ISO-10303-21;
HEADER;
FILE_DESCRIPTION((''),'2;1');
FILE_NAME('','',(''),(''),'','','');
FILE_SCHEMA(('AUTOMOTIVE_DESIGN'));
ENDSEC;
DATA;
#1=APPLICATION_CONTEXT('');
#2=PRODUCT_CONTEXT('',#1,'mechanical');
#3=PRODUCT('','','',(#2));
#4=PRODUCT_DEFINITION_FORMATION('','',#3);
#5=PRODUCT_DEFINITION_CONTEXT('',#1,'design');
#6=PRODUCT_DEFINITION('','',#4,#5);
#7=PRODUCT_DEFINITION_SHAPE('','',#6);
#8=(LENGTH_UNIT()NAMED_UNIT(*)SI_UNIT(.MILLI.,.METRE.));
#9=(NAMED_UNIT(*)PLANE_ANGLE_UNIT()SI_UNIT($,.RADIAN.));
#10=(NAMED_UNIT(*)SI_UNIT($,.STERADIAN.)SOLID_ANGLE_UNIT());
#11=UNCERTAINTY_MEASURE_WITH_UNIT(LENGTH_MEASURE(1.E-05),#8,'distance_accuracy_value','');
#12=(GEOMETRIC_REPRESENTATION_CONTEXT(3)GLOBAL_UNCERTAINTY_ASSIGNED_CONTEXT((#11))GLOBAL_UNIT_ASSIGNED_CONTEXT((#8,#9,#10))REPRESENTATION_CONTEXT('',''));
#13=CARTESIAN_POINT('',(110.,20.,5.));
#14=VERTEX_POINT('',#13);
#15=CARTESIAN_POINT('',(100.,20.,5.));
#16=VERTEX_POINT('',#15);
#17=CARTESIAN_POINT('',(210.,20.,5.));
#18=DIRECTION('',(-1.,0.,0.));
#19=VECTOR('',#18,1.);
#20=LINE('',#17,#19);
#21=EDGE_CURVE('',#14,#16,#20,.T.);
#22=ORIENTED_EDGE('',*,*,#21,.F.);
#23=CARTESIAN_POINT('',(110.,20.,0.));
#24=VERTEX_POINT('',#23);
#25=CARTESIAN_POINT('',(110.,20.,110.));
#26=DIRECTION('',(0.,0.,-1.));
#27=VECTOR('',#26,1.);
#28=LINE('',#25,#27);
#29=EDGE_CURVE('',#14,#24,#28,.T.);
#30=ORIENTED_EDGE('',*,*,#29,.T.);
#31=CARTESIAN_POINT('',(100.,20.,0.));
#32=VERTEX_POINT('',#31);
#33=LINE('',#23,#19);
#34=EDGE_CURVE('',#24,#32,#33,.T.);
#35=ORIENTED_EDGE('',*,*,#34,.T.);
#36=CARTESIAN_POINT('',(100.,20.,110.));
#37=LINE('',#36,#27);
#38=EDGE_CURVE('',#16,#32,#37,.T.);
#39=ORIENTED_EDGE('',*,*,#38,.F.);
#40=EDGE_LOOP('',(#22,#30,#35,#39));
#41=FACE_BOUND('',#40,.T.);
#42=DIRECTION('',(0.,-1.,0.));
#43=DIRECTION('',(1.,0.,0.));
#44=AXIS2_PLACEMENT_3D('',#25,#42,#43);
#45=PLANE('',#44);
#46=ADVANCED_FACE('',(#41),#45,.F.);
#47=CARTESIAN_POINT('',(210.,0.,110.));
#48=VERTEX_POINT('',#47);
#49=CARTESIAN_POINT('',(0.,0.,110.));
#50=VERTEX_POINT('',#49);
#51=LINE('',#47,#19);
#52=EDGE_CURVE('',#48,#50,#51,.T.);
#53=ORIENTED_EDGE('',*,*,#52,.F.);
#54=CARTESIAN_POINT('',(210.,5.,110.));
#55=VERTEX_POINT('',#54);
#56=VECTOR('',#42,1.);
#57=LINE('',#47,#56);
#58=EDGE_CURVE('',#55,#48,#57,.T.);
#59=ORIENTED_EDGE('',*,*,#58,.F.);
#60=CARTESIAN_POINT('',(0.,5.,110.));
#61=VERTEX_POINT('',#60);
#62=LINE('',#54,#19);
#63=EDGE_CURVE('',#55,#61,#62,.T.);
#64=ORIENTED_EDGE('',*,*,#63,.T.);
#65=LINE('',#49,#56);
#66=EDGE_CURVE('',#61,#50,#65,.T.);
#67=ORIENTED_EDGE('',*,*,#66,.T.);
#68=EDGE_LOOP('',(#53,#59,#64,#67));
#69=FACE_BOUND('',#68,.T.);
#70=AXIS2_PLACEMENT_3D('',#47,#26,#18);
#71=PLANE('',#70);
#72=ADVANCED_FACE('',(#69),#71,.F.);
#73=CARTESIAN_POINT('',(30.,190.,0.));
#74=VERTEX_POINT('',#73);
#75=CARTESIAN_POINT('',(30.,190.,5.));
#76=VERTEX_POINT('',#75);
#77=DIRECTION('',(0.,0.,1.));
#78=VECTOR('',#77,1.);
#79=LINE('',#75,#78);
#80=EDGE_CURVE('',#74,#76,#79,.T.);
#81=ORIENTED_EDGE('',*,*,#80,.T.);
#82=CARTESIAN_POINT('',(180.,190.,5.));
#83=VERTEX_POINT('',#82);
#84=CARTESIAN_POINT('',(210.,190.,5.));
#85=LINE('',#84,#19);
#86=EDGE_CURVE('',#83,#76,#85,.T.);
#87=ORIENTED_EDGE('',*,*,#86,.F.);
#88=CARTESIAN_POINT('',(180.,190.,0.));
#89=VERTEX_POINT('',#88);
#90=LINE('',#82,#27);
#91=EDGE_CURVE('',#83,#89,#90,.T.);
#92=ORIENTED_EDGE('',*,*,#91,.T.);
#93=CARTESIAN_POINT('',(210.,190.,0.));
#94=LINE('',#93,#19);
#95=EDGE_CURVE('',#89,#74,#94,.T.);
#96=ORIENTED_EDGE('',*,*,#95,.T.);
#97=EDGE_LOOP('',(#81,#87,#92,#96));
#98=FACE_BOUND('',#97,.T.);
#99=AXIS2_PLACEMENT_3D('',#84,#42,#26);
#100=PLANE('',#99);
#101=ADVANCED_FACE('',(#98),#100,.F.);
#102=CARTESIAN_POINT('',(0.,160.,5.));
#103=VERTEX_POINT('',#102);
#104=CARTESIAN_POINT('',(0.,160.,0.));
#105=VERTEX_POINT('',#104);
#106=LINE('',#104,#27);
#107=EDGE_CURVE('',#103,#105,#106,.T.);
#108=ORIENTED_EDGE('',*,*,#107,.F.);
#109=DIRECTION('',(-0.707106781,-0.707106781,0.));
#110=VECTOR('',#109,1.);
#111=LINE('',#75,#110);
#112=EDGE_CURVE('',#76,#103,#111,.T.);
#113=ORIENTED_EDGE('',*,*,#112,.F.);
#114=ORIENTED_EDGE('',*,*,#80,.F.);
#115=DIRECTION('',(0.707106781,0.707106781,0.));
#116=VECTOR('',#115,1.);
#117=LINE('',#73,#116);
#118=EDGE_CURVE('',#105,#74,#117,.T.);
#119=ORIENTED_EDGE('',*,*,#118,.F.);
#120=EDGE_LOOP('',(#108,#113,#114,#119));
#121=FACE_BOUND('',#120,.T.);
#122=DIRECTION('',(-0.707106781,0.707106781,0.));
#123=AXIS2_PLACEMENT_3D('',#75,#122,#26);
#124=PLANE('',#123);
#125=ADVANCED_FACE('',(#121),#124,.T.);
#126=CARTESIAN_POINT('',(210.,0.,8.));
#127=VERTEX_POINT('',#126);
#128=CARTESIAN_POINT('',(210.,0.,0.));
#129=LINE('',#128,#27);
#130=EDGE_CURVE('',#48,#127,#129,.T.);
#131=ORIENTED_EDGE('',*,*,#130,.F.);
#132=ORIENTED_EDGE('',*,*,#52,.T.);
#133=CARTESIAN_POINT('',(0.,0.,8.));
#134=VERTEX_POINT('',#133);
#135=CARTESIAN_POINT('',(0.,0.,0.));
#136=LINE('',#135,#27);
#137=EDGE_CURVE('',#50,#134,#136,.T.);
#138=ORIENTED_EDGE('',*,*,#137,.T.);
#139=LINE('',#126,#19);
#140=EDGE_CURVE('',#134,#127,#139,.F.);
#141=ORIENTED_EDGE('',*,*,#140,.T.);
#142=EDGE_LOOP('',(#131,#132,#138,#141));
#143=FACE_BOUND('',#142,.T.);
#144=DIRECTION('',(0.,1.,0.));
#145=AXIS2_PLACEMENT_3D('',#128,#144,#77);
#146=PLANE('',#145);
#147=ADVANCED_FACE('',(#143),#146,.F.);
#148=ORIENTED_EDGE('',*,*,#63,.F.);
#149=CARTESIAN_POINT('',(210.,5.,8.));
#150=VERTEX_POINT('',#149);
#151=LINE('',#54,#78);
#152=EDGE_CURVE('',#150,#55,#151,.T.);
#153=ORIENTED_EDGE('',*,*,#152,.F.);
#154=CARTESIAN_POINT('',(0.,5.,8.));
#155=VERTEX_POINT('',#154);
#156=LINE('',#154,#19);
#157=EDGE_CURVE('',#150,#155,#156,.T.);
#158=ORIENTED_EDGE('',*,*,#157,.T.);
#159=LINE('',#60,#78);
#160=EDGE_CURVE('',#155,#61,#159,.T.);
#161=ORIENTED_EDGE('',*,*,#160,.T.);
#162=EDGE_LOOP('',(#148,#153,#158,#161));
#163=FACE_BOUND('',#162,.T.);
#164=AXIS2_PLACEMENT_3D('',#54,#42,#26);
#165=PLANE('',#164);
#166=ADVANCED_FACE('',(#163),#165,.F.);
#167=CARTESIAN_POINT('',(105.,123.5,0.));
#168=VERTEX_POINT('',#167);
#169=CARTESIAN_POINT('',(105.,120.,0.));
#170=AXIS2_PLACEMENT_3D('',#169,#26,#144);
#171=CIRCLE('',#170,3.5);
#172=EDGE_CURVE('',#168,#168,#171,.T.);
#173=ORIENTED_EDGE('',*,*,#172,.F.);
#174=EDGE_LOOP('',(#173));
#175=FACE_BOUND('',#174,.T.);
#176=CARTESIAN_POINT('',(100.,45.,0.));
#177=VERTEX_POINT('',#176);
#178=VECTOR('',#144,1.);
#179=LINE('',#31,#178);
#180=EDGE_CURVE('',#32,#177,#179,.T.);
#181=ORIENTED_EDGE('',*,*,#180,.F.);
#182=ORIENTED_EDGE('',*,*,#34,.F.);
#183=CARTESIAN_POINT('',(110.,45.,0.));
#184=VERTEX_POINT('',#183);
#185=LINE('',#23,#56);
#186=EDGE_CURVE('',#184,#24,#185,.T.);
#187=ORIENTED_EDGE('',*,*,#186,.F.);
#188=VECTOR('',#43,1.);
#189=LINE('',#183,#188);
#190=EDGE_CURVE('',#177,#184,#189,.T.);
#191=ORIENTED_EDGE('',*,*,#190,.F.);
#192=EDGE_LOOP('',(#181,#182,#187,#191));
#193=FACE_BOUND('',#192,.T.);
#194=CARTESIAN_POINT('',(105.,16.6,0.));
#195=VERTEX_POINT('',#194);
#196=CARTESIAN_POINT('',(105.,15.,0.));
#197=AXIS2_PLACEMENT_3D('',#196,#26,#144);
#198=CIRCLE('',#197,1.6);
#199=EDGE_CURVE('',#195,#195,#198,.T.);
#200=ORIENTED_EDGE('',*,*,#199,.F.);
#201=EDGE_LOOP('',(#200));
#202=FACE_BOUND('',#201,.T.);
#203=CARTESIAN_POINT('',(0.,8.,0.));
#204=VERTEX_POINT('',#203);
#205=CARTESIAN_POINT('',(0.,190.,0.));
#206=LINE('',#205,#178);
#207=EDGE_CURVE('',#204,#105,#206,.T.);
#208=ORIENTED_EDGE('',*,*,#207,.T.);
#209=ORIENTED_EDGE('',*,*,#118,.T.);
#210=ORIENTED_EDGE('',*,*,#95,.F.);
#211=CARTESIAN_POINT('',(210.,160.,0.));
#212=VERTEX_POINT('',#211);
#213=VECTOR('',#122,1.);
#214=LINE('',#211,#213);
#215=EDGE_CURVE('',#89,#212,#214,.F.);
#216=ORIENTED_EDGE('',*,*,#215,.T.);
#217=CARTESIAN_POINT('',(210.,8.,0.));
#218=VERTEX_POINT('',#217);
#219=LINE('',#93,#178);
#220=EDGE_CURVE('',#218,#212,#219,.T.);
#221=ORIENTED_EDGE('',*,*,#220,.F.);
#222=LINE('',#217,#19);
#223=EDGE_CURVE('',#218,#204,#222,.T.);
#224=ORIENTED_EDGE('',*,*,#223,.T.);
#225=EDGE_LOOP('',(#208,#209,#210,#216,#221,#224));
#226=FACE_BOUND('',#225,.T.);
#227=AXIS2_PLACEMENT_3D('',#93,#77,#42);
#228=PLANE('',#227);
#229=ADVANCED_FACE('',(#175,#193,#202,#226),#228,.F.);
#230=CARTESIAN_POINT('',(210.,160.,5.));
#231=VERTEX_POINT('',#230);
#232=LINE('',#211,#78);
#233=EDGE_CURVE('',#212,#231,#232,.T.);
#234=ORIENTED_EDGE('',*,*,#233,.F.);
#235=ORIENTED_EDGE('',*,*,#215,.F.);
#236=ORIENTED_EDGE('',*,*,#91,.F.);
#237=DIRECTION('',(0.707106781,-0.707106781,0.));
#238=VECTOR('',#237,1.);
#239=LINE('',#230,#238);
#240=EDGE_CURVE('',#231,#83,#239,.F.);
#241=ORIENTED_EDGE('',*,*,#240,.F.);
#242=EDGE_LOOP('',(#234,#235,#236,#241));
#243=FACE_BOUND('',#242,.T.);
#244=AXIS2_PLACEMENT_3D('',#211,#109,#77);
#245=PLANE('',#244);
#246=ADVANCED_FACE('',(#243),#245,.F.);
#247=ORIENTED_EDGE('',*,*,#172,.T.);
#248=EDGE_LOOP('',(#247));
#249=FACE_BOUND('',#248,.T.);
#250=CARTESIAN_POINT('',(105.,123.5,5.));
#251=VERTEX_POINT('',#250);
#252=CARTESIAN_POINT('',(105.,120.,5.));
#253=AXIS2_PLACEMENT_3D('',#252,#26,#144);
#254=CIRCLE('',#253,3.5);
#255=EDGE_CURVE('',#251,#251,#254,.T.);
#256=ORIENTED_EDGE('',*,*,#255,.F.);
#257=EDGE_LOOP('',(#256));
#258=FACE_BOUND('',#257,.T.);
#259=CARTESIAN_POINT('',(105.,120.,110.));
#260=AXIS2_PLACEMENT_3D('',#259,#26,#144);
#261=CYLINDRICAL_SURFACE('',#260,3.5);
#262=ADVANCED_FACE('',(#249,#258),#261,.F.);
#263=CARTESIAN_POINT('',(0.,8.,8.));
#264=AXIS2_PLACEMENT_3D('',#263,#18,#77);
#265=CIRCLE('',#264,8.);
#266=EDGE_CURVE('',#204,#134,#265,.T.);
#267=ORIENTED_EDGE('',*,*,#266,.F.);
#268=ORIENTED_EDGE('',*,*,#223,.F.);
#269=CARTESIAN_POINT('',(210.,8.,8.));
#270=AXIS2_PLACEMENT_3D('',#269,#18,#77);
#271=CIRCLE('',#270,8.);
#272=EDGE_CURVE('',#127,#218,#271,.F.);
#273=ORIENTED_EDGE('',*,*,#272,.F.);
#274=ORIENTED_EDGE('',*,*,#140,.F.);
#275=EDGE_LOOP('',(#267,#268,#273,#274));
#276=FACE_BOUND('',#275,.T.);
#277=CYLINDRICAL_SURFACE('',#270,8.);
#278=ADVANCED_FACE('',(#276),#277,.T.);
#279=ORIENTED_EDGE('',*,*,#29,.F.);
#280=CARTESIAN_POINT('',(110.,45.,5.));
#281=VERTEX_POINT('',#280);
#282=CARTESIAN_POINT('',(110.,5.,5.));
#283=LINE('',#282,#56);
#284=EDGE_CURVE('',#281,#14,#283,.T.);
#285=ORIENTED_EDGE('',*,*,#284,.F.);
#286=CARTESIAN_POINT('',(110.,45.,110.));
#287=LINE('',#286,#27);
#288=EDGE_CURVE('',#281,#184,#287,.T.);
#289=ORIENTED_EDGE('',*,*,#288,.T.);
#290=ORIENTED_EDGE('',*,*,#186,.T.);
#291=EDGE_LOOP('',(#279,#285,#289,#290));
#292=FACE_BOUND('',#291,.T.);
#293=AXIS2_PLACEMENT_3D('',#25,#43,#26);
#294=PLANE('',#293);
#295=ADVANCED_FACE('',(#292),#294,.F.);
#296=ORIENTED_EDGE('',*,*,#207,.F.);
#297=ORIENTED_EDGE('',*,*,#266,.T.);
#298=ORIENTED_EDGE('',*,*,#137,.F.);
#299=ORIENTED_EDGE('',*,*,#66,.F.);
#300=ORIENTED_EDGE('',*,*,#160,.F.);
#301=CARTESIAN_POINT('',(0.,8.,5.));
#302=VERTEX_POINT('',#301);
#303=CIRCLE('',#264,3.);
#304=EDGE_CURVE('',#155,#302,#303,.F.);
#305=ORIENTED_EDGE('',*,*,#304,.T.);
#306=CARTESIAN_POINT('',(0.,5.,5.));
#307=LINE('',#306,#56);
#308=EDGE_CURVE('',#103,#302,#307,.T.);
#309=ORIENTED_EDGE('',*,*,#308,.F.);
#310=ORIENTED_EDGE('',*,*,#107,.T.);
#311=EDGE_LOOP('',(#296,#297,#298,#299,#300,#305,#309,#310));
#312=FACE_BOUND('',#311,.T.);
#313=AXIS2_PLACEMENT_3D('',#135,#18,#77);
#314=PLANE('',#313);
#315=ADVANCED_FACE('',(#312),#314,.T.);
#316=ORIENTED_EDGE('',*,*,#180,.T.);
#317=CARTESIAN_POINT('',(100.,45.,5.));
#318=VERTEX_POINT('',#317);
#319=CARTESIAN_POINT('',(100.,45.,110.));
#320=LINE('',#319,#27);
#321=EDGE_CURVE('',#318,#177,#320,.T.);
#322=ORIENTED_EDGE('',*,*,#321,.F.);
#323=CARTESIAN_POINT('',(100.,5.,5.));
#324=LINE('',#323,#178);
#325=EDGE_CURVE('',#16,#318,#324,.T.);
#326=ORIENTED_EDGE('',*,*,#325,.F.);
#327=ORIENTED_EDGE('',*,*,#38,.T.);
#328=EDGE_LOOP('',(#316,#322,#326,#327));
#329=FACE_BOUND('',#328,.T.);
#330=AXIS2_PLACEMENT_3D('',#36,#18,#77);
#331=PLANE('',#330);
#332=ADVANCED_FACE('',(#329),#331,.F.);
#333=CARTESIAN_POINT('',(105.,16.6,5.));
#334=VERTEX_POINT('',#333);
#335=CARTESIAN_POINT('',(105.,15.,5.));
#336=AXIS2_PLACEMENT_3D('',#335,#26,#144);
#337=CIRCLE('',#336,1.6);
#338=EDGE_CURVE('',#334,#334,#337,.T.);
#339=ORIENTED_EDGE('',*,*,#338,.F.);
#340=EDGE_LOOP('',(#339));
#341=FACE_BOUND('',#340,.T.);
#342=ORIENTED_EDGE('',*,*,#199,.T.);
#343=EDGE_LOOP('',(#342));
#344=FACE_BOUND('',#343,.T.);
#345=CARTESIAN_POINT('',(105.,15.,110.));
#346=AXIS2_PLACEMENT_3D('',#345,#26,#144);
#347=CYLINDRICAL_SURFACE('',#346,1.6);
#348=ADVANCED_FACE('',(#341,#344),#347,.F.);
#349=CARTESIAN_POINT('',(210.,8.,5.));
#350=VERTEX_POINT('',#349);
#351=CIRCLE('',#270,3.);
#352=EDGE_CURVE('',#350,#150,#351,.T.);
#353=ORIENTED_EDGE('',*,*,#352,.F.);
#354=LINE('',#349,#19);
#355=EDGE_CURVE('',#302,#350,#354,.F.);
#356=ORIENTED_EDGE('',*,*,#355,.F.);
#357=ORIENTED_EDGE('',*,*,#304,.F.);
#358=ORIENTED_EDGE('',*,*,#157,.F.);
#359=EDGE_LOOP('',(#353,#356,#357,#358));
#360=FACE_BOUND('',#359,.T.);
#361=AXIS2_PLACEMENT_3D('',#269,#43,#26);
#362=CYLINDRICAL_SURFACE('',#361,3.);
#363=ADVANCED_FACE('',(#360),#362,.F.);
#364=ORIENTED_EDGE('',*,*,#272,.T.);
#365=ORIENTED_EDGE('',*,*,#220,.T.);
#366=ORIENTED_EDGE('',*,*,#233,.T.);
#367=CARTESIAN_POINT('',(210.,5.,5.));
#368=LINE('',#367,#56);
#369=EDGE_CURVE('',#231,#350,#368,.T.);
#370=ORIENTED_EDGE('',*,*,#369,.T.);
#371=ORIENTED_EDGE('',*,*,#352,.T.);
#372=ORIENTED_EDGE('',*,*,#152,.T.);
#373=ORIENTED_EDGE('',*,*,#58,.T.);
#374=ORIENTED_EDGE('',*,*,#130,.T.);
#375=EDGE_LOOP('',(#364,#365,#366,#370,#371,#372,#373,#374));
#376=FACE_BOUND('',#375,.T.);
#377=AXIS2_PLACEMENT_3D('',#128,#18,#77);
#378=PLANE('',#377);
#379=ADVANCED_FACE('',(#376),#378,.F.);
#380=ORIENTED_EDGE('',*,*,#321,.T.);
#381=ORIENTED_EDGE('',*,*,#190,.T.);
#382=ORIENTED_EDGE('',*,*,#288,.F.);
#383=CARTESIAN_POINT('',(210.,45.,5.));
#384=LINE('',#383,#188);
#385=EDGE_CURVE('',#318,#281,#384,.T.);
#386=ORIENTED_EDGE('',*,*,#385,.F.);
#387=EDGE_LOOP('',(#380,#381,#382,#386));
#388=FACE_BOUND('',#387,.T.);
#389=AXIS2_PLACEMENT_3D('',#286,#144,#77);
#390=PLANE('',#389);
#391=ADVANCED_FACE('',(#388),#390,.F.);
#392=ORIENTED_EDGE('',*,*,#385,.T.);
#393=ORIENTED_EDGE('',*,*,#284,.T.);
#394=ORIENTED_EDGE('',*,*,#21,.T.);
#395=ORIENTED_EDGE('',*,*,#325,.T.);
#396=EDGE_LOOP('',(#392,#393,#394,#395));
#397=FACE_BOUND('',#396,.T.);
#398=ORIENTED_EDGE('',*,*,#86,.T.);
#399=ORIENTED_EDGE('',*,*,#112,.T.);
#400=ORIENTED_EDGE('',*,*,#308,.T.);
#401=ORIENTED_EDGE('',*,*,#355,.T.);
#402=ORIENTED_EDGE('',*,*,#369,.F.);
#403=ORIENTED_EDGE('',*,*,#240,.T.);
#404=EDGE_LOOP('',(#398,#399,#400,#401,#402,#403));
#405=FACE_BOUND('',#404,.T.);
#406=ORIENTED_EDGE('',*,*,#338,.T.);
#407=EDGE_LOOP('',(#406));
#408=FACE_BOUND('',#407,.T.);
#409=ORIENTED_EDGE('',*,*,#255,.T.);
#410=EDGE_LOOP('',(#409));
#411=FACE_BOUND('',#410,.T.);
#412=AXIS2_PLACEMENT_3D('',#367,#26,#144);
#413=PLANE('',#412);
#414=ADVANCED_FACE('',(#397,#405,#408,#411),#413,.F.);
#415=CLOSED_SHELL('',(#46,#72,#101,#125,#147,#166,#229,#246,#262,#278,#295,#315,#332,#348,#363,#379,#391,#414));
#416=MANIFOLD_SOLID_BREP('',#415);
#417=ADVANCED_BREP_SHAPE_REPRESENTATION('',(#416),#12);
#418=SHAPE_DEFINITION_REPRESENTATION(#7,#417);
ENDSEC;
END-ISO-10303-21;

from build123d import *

# Parameters (mm, degrees)
BOSS_EXTRUDE1_DEPTH = 210
FILLET1_R           = 3
FILLET2_R           = 8
SKETCH2_R           = 3.5
SKETCH2_R_2         = 1.6
SKETCH2_W           = 10
SKETCH2_H           = 25
CUT_EXTRUDE1_DEPTH  = 111
CHAMFER1_SIZE       = 30


with BuildPart() as part:
    # Sketch1 → Boss-Extrude1 (new body)
    with BuildSketch(Plane(origin=(0, 0, 0), x_dir=(0, 0, -1), z_dir=(1, 0, 0))):
        Polygon((0, 190), (0, 0), (-110, 0), (-110, 5), (-5, 5), (-5, 190), align=None)
    extrude(amount=BOSS_EXTRUDE1_DEPTH)

    # Fillet1
    fillet1_edges = [part.edges().sort_by_distance(p)[0] for p in [
        (105, 5, 5),
    ]]
    fillet(fillet1_edges, radius=FILLET1_R)

    # Fillet2
    fillet2_edges = [part.edges().sort_by_distance(p)[0] for p in [
        (105, 0, 0),
    ]]
    fillet(fillet2_edges, radius=FILLET2_R)

    # Sketch2 → Cut-Extrude1 (cut, through all)
    with BuildSketch(Plane(origin=(0, 0, 0), x_dir=(-1, 0, 0), z_dir=(0, 0, -1))):
        with Locations((-105, 120)):
            Circle(SKETCH2_R)
        with Locations((-105, 15)):
            Circle(SKETCH2_R_2)
        with Locations((-105, 32.5)):
            Rectangle(SKETCH2_W, SKETCH2_H)
    extrude(amount=-CUT_EXTRUDE1_DEPTH, mode=Mode.SUBTRACT)

    # Chamfer1
    chamfer1_edges = [part.edges().sort_by_distance(p)[0] for p in [
        (210, 190, 2.5),
        (0, 190, 2.5),
    ]]
    chamfer(chamfer1_edges, length=CHAMFER1_SIZE)


solid = part.part
